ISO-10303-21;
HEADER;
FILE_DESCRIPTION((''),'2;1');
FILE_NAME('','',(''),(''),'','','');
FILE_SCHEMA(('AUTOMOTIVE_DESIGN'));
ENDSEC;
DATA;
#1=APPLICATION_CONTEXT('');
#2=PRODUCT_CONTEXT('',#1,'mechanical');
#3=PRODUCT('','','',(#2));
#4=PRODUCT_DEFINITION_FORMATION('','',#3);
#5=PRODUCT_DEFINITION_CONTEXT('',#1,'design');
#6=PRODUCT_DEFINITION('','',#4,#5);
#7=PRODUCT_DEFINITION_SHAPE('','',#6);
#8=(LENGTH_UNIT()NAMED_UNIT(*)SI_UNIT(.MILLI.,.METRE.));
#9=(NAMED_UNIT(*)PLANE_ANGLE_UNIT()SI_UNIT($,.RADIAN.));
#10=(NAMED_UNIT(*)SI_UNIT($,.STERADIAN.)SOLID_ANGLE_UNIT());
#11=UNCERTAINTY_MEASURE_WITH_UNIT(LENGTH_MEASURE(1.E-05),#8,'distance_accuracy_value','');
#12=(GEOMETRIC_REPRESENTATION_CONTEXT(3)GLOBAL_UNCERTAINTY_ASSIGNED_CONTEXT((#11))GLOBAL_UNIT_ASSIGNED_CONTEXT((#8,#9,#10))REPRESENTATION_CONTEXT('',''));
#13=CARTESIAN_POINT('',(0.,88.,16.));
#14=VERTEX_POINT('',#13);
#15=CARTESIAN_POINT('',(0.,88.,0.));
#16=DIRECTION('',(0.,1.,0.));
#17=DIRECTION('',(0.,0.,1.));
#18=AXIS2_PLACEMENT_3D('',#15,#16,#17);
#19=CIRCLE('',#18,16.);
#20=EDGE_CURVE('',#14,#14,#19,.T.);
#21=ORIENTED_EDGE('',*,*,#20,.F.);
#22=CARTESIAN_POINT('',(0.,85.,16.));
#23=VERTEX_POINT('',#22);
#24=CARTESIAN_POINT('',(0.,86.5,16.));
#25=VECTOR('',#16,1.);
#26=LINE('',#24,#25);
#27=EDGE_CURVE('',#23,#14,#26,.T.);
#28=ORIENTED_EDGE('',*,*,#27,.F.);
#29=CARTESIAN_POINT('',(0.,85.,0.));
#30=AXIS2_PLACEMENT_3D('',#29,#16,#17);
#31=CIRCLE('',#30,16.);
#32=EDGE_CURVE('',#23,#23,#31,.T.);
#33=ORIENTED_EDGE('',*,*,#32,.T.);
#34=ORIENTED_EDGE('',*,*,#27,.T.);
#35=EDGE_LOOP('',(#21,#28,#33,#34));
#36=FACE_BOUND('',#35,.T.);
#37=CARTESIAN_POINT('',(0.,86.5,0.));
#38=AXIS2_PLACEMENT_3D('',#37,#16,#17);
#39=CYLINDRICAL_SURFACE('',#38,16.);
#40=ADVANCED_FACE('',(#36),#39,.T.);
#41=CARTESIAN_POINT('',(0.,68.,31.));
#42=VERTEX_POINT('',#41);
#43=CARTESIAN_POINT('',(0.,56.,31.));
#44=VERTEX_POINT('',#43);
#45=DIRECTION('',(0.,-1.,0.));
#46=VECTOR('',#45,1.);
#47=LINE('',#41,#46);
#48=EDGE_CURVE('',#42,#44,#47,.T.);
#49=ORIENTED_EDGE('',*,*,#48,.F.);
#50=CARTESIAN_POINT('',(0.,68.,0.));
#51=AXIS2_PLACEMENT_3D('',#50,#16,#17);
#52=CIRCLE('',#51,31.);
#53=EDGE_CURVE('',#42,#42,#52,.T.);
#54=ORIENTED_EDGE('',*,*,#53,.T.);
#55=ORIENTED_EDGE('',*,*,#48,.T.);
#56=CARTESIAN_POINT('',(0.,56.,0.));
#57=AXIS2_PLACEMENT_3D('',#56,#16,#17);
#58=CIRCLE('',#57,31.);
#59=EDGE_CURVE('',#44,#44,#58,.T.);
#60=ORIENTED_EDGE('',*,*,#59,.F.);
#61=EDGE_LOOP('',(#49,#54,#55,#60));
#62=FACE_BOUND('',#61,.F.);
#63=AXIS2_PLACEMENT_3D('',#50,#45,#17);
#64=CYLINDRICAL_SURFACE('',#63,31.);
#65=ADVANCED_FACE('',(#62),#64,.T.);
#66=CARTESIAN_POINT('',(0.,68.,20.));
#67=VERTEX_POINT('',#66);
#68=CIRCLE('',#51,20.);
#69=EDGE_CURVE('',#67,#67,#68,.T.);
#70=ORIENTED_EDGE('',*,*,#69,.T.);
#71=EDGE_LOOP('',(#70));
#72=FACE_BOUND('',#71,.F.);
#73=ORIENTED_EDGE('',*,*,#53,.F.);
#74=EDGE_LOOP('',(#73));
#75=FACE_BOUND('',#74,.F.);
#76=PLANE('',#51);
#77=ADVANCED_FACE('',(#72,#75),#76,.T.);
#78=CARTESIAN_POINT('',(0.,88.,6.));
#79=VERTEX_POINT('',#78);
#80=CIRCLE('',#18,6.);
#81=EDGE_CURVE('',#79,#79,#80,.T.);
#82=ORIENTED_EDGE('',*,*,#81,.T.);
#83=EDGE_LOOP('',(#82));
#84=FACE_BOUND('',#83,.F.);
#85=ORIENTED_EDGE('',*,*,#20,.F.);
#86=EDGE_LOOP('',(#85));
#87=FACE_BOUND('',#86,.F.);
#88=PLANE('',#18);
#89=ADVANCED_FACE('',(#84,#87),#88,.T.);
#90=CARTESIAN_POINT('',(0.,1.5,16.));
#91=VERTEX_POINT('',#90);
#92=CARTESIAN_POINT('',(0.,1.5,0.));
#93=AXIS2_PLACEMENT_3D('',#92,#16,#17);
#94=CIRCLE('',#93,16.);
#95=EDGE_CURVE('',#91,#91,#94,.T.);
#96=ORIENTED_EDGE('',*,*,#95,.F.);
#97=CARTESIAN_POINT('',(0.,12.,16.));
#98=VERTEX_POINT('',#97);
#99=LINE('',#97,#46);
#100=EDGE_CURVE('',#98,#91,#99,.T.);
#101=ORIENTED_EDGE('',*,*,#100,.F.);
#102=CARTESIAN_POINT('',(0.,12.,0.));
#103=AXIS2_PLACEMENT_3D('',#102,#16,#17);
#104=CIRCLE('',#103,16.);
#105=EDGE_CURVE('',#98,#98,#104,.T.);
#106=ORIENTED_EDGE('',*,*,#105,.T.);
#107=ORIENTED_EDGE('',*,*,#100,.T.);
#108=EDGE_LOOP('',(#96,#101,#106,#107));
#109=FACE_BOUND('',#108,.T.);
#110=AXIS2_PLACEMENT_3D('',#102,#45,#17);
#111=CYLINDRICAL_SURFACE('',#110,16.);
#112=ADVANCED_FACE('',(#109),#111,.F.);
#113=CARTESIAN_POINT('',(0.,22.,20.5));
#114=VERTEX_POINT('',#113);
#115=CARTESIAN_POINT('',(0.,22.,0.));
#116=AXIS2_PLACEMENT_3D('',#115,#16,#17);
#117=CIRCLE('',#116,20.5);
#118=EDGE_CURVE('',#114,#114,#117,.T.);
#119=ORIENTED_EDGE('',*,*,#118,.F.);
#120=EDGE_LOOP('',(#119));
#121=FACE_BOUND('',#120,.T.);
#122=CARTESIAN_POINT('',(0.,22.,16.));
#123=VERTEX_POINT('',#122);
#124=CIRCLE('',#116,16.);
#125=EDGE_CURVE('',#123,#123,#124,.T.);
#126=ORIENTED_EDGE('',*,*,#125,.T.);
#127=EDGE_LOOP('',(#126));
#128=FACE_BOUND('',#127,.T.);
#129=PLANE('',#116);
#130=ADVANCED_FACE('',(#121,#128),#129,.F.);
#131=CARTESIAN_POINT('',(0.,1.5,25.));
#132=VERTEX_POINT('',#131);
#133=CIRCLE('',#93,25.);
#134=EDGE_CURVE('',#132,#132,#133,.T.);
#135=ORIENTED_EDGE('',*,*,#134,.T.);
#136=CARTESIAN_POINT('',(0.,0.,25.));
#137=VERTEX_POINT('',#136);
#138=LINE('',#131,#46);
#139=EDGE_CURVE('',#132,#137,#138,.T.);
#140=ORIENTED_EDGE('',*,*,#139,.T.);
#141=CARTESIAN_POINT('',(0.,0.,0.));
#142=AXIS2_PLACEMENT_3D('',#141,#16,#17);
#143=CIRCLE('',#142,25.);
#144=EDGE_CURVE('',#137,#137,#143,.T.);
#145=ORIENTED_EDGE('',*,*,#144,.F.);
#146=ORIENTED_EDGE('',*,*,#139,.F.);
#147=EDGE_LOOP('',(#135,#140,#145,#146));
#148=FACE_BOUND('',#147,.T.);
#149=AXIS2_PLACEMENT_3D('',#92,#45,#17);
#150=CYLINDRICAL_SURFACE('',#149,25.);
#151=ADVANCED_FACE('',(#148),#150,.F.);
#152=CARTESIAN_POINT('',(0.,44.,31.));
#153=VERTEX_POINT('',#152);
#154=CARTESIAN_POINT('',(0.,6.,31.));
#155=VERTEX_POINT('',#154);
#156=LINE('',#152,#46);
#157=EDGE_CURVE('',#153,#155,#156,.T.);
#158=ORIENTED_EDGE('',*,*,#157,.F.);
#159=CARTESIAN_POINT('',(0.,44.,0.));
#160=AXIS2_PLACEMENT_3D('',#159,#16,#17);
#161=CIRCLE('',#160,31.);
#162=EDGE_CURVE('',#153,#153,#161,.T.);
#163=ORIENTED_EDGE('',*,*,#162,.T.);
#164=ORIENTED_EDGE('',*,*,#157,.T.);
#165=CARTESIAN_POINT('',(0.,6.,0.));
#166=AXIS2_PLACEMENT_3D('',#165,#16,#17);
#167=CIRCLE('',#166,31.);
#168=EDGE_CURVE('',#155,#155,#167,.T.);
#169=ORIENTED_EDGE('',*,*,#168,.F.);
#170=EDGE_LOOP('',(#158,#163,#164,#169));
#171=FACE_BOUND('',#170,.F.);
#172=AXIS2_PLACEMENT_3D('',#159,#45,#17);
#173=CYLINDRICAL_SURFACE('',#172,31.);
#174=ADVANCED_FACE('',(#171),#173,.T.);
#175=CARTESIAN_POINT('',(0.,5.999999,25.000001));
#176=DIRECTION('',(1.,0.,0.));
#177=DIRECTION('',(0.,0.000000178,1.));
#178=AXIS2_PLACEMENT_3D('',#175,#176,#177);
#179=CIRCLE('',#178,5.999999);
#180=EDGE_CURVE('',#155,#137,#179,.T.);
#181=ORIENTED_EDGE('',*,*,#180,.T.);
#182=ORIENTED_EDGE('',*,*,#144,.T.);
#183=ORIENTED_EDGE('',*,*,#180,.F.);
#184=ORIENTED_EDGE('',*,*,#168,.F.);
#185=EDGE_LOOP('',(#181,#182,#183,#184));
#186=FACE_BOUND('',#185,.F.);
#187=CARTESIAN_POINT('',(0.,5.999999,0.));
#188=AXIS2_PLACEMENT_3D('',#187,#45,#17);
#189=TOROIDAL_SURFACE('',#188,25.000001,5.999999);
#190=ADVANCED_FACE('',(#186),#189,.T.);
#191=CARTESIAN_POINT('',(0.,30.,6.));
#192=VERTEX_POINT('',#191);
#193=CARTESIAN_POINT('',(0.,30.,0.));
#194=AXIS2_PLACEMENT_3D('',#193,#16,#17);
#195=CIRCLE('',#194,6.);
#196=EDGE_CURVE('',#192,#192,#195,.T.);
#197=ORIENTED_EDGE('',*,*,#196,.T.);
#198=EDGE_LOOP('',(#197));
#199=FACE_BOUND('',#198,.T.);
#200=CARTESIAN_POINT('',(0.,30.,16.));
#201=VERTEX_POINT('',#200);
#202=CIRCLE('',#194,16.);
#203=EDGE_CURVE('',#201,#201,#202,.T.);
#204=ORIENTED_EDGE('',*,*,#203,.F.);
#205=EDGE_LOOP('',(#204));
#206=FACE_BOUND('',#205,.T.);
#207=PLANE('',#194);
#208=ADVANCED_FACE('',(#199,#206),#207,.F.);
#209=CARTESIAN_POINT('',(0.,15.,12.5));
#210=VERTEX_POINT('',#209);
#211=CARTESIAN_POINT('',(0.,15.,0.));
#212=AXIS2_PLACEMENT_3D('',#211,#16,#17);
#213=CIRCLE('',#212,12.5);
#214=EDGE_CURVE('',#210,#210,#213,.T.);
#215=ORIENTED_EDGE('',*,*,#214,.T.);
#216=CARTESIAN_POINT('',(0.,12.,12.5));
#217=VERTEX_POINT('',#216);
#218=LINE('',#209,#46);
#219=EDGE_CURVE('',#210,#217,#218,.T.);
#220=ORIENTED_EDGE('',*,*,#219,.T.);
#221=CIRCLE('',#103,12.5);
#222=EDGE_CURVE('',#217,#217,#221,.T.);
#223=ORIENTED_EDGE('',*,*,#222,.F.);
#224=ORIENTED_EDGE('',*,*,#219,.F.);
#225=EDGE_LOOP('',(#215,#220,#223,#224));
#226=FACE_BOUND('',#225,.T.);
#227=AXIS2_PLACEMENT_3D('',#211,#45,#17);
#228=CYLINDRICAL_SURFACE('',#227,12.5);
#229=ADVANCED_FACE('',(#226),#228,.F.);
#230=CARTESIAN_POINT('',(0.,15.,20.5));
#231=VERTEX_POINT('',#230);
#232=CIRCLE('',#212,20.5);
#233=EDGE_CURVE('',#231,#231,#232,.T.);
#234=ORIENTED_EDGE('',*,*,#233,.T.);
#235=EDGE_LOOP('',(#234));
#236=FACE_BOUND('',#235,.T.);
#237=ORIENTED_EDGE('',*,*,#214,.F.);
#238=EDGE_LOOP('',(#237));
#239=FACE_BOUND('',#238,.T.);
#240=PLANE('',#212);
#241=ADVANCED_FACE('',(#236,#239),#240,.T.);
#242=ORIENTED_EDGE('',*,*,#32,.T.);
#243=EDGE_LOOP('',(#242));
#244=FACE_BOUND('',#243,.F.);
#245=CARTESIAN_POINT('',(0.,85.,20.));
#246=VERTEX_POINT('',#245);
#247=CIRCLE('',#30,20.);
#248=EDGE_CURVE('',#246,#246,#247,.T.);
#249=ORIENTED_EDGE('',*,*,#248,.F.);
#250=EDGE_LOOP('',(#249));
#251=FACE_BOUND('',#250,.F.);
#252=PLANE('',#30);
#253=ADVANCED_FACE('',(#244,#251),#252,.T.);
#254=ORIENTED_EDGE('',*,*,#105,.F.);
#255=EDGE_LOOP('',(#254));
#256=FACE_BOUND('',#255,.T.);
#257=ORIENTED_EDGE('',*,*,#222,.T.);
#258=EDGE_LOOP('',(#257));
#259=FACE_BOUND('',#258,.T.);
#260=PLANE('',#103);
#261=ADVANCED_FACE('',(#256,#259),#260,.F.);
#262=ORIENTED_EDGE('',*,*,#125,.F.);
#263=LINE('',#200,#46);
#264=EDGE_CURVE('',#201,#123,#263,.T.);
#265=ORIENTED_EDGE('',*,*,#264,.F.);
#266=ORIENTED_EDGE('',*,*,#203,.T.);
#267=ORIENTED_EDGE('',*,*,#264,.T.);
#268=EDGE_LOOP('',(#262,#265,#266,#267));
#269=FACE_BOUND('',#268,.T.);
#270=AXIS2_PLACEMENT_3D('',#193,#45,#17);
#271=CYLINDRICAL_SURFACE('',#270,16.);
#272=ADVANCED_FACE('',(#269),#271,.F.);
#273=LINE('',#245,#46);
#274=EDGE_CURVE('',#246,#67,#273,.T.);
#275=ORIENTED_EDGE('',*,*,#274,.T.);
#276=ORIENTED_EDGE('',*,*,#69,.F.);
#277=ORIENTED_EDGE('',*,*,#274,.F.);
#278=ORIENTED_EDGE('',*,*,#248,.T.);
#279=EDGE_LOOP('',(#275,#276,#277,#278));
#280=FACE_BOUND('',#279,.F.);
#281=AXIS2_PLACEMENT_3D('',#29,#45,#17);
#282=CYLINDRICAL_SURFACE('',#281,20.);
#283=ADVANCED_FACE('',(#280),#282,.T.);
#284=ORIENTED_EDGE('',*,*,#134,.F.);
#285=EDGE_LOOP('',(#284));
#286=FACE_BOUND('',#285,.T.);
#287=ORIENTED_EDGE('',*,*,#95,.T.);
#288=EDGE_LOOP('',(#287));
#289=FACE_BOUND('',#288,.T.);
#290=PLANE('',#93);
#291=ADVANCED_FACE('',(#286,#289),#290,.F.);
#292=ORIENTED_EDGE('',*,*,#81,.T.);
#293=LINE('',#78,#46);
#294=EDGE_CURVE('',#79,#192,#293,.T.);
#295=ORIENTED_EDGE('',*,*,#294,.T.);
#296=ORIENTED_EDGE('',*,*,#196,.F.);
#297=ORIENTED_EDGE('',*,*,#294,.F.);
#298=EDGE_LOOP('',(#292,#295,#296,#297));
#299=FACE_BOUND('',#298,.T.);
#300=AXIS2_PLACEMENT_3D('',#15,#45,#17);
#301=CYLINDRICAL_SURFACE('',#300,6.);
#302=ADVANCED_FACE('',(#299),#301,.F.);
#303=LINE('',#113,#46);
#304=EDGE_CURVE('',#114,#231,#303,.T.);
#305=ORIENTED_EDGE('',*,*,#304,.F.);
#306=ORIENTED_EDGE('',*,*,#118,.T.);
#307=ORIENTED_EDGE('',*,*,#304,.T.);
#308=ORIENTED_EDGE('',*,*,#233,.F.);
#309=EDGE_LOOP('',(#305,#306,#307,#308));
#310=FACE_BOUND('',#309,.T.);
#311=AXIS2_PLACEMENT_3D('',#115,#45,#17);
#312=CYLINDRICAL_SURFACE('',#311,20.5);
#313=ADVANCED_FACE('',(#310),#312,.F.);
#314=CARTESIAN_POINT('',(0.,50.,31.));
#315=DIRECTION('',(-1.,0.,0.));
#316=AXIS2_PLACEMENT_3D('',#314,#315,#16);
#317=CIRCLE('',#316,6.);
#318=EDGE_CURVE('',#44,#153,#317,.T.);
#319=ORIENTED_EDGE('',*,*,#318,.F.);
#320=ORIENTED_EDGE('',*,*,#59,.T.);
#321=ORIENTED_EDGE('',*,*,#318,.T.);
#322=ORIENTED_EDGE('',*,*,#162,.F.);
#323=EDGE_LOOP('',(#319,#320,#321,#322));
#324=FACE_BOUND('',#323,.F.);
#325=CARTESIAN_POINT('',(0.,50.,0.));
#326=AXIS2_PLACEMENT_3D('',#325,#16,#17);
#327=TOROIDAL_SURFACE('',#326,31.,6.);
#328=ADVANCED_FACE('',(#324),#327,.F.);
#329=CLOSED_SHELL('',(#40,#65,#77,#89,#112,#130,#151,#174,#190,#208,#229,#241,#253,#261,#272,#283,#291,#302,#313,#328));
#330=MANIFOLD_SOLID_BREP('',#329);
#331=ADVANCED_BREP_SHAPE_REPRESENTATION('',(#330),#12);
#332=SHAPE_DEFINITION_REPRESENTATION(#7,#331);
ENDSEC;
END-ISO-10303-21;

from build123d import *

# Parameters (mm, degrees)
F0_W = 3
F0_H = 16


with BuildPart() as f1:
    # F0 (on Right) → F1 (revolve)
    with BuildSketch(Plane.YZ):
        with BuildLine():
            Line((0, 25), (0, 0))
            Line((0, 0), (44, 0))
            Line((44, 0), (44, 31))
            Line((44, 31), (6, 31))
            ThreePointArc((6, 31), (1.757359, 29.242641), (0, 25))
        make_face()
        with BuildLine():
            Line((44, 31), (44, 0))
            Line((44, 0), (56, 0))
            Line((56, 0), (56, 31))
            ThreePointArc((56, 31), (50, 25), (44, 31))
        make_face()
        Polygon((56, 31), (56, 0), (68, 0), (68, 20), (68, 31), align=None)
        Polygon((68, 20), (68, 0), (85, 0), (85, 16), (85, 20), align=None)
        with Locations((86.5, 8)):
            Rectangle(F0_W, F0_H)
    revolve(axis=Axis((0, 17.846598, 0), (0, 1, 0)))

    # F2 (on Right) → F3 (revolve, cut)
    with BuildSketch(Plane.YZ):
        Polygon((0, 25), (0, 0), (88, 0), (88, 6), (30, 6), (30, 16), (22, 16), (22, 20.5), (15, 20.5), (15, 12.5), (12, 12.5), (12, 16), (1.5, 16), (1.5, 25), align=None)
    revolve(axis=Axis((0, 35.128961, 0), (0, 1, 0)), mode=Mode.SUBTRACT)


solid = f1.part
